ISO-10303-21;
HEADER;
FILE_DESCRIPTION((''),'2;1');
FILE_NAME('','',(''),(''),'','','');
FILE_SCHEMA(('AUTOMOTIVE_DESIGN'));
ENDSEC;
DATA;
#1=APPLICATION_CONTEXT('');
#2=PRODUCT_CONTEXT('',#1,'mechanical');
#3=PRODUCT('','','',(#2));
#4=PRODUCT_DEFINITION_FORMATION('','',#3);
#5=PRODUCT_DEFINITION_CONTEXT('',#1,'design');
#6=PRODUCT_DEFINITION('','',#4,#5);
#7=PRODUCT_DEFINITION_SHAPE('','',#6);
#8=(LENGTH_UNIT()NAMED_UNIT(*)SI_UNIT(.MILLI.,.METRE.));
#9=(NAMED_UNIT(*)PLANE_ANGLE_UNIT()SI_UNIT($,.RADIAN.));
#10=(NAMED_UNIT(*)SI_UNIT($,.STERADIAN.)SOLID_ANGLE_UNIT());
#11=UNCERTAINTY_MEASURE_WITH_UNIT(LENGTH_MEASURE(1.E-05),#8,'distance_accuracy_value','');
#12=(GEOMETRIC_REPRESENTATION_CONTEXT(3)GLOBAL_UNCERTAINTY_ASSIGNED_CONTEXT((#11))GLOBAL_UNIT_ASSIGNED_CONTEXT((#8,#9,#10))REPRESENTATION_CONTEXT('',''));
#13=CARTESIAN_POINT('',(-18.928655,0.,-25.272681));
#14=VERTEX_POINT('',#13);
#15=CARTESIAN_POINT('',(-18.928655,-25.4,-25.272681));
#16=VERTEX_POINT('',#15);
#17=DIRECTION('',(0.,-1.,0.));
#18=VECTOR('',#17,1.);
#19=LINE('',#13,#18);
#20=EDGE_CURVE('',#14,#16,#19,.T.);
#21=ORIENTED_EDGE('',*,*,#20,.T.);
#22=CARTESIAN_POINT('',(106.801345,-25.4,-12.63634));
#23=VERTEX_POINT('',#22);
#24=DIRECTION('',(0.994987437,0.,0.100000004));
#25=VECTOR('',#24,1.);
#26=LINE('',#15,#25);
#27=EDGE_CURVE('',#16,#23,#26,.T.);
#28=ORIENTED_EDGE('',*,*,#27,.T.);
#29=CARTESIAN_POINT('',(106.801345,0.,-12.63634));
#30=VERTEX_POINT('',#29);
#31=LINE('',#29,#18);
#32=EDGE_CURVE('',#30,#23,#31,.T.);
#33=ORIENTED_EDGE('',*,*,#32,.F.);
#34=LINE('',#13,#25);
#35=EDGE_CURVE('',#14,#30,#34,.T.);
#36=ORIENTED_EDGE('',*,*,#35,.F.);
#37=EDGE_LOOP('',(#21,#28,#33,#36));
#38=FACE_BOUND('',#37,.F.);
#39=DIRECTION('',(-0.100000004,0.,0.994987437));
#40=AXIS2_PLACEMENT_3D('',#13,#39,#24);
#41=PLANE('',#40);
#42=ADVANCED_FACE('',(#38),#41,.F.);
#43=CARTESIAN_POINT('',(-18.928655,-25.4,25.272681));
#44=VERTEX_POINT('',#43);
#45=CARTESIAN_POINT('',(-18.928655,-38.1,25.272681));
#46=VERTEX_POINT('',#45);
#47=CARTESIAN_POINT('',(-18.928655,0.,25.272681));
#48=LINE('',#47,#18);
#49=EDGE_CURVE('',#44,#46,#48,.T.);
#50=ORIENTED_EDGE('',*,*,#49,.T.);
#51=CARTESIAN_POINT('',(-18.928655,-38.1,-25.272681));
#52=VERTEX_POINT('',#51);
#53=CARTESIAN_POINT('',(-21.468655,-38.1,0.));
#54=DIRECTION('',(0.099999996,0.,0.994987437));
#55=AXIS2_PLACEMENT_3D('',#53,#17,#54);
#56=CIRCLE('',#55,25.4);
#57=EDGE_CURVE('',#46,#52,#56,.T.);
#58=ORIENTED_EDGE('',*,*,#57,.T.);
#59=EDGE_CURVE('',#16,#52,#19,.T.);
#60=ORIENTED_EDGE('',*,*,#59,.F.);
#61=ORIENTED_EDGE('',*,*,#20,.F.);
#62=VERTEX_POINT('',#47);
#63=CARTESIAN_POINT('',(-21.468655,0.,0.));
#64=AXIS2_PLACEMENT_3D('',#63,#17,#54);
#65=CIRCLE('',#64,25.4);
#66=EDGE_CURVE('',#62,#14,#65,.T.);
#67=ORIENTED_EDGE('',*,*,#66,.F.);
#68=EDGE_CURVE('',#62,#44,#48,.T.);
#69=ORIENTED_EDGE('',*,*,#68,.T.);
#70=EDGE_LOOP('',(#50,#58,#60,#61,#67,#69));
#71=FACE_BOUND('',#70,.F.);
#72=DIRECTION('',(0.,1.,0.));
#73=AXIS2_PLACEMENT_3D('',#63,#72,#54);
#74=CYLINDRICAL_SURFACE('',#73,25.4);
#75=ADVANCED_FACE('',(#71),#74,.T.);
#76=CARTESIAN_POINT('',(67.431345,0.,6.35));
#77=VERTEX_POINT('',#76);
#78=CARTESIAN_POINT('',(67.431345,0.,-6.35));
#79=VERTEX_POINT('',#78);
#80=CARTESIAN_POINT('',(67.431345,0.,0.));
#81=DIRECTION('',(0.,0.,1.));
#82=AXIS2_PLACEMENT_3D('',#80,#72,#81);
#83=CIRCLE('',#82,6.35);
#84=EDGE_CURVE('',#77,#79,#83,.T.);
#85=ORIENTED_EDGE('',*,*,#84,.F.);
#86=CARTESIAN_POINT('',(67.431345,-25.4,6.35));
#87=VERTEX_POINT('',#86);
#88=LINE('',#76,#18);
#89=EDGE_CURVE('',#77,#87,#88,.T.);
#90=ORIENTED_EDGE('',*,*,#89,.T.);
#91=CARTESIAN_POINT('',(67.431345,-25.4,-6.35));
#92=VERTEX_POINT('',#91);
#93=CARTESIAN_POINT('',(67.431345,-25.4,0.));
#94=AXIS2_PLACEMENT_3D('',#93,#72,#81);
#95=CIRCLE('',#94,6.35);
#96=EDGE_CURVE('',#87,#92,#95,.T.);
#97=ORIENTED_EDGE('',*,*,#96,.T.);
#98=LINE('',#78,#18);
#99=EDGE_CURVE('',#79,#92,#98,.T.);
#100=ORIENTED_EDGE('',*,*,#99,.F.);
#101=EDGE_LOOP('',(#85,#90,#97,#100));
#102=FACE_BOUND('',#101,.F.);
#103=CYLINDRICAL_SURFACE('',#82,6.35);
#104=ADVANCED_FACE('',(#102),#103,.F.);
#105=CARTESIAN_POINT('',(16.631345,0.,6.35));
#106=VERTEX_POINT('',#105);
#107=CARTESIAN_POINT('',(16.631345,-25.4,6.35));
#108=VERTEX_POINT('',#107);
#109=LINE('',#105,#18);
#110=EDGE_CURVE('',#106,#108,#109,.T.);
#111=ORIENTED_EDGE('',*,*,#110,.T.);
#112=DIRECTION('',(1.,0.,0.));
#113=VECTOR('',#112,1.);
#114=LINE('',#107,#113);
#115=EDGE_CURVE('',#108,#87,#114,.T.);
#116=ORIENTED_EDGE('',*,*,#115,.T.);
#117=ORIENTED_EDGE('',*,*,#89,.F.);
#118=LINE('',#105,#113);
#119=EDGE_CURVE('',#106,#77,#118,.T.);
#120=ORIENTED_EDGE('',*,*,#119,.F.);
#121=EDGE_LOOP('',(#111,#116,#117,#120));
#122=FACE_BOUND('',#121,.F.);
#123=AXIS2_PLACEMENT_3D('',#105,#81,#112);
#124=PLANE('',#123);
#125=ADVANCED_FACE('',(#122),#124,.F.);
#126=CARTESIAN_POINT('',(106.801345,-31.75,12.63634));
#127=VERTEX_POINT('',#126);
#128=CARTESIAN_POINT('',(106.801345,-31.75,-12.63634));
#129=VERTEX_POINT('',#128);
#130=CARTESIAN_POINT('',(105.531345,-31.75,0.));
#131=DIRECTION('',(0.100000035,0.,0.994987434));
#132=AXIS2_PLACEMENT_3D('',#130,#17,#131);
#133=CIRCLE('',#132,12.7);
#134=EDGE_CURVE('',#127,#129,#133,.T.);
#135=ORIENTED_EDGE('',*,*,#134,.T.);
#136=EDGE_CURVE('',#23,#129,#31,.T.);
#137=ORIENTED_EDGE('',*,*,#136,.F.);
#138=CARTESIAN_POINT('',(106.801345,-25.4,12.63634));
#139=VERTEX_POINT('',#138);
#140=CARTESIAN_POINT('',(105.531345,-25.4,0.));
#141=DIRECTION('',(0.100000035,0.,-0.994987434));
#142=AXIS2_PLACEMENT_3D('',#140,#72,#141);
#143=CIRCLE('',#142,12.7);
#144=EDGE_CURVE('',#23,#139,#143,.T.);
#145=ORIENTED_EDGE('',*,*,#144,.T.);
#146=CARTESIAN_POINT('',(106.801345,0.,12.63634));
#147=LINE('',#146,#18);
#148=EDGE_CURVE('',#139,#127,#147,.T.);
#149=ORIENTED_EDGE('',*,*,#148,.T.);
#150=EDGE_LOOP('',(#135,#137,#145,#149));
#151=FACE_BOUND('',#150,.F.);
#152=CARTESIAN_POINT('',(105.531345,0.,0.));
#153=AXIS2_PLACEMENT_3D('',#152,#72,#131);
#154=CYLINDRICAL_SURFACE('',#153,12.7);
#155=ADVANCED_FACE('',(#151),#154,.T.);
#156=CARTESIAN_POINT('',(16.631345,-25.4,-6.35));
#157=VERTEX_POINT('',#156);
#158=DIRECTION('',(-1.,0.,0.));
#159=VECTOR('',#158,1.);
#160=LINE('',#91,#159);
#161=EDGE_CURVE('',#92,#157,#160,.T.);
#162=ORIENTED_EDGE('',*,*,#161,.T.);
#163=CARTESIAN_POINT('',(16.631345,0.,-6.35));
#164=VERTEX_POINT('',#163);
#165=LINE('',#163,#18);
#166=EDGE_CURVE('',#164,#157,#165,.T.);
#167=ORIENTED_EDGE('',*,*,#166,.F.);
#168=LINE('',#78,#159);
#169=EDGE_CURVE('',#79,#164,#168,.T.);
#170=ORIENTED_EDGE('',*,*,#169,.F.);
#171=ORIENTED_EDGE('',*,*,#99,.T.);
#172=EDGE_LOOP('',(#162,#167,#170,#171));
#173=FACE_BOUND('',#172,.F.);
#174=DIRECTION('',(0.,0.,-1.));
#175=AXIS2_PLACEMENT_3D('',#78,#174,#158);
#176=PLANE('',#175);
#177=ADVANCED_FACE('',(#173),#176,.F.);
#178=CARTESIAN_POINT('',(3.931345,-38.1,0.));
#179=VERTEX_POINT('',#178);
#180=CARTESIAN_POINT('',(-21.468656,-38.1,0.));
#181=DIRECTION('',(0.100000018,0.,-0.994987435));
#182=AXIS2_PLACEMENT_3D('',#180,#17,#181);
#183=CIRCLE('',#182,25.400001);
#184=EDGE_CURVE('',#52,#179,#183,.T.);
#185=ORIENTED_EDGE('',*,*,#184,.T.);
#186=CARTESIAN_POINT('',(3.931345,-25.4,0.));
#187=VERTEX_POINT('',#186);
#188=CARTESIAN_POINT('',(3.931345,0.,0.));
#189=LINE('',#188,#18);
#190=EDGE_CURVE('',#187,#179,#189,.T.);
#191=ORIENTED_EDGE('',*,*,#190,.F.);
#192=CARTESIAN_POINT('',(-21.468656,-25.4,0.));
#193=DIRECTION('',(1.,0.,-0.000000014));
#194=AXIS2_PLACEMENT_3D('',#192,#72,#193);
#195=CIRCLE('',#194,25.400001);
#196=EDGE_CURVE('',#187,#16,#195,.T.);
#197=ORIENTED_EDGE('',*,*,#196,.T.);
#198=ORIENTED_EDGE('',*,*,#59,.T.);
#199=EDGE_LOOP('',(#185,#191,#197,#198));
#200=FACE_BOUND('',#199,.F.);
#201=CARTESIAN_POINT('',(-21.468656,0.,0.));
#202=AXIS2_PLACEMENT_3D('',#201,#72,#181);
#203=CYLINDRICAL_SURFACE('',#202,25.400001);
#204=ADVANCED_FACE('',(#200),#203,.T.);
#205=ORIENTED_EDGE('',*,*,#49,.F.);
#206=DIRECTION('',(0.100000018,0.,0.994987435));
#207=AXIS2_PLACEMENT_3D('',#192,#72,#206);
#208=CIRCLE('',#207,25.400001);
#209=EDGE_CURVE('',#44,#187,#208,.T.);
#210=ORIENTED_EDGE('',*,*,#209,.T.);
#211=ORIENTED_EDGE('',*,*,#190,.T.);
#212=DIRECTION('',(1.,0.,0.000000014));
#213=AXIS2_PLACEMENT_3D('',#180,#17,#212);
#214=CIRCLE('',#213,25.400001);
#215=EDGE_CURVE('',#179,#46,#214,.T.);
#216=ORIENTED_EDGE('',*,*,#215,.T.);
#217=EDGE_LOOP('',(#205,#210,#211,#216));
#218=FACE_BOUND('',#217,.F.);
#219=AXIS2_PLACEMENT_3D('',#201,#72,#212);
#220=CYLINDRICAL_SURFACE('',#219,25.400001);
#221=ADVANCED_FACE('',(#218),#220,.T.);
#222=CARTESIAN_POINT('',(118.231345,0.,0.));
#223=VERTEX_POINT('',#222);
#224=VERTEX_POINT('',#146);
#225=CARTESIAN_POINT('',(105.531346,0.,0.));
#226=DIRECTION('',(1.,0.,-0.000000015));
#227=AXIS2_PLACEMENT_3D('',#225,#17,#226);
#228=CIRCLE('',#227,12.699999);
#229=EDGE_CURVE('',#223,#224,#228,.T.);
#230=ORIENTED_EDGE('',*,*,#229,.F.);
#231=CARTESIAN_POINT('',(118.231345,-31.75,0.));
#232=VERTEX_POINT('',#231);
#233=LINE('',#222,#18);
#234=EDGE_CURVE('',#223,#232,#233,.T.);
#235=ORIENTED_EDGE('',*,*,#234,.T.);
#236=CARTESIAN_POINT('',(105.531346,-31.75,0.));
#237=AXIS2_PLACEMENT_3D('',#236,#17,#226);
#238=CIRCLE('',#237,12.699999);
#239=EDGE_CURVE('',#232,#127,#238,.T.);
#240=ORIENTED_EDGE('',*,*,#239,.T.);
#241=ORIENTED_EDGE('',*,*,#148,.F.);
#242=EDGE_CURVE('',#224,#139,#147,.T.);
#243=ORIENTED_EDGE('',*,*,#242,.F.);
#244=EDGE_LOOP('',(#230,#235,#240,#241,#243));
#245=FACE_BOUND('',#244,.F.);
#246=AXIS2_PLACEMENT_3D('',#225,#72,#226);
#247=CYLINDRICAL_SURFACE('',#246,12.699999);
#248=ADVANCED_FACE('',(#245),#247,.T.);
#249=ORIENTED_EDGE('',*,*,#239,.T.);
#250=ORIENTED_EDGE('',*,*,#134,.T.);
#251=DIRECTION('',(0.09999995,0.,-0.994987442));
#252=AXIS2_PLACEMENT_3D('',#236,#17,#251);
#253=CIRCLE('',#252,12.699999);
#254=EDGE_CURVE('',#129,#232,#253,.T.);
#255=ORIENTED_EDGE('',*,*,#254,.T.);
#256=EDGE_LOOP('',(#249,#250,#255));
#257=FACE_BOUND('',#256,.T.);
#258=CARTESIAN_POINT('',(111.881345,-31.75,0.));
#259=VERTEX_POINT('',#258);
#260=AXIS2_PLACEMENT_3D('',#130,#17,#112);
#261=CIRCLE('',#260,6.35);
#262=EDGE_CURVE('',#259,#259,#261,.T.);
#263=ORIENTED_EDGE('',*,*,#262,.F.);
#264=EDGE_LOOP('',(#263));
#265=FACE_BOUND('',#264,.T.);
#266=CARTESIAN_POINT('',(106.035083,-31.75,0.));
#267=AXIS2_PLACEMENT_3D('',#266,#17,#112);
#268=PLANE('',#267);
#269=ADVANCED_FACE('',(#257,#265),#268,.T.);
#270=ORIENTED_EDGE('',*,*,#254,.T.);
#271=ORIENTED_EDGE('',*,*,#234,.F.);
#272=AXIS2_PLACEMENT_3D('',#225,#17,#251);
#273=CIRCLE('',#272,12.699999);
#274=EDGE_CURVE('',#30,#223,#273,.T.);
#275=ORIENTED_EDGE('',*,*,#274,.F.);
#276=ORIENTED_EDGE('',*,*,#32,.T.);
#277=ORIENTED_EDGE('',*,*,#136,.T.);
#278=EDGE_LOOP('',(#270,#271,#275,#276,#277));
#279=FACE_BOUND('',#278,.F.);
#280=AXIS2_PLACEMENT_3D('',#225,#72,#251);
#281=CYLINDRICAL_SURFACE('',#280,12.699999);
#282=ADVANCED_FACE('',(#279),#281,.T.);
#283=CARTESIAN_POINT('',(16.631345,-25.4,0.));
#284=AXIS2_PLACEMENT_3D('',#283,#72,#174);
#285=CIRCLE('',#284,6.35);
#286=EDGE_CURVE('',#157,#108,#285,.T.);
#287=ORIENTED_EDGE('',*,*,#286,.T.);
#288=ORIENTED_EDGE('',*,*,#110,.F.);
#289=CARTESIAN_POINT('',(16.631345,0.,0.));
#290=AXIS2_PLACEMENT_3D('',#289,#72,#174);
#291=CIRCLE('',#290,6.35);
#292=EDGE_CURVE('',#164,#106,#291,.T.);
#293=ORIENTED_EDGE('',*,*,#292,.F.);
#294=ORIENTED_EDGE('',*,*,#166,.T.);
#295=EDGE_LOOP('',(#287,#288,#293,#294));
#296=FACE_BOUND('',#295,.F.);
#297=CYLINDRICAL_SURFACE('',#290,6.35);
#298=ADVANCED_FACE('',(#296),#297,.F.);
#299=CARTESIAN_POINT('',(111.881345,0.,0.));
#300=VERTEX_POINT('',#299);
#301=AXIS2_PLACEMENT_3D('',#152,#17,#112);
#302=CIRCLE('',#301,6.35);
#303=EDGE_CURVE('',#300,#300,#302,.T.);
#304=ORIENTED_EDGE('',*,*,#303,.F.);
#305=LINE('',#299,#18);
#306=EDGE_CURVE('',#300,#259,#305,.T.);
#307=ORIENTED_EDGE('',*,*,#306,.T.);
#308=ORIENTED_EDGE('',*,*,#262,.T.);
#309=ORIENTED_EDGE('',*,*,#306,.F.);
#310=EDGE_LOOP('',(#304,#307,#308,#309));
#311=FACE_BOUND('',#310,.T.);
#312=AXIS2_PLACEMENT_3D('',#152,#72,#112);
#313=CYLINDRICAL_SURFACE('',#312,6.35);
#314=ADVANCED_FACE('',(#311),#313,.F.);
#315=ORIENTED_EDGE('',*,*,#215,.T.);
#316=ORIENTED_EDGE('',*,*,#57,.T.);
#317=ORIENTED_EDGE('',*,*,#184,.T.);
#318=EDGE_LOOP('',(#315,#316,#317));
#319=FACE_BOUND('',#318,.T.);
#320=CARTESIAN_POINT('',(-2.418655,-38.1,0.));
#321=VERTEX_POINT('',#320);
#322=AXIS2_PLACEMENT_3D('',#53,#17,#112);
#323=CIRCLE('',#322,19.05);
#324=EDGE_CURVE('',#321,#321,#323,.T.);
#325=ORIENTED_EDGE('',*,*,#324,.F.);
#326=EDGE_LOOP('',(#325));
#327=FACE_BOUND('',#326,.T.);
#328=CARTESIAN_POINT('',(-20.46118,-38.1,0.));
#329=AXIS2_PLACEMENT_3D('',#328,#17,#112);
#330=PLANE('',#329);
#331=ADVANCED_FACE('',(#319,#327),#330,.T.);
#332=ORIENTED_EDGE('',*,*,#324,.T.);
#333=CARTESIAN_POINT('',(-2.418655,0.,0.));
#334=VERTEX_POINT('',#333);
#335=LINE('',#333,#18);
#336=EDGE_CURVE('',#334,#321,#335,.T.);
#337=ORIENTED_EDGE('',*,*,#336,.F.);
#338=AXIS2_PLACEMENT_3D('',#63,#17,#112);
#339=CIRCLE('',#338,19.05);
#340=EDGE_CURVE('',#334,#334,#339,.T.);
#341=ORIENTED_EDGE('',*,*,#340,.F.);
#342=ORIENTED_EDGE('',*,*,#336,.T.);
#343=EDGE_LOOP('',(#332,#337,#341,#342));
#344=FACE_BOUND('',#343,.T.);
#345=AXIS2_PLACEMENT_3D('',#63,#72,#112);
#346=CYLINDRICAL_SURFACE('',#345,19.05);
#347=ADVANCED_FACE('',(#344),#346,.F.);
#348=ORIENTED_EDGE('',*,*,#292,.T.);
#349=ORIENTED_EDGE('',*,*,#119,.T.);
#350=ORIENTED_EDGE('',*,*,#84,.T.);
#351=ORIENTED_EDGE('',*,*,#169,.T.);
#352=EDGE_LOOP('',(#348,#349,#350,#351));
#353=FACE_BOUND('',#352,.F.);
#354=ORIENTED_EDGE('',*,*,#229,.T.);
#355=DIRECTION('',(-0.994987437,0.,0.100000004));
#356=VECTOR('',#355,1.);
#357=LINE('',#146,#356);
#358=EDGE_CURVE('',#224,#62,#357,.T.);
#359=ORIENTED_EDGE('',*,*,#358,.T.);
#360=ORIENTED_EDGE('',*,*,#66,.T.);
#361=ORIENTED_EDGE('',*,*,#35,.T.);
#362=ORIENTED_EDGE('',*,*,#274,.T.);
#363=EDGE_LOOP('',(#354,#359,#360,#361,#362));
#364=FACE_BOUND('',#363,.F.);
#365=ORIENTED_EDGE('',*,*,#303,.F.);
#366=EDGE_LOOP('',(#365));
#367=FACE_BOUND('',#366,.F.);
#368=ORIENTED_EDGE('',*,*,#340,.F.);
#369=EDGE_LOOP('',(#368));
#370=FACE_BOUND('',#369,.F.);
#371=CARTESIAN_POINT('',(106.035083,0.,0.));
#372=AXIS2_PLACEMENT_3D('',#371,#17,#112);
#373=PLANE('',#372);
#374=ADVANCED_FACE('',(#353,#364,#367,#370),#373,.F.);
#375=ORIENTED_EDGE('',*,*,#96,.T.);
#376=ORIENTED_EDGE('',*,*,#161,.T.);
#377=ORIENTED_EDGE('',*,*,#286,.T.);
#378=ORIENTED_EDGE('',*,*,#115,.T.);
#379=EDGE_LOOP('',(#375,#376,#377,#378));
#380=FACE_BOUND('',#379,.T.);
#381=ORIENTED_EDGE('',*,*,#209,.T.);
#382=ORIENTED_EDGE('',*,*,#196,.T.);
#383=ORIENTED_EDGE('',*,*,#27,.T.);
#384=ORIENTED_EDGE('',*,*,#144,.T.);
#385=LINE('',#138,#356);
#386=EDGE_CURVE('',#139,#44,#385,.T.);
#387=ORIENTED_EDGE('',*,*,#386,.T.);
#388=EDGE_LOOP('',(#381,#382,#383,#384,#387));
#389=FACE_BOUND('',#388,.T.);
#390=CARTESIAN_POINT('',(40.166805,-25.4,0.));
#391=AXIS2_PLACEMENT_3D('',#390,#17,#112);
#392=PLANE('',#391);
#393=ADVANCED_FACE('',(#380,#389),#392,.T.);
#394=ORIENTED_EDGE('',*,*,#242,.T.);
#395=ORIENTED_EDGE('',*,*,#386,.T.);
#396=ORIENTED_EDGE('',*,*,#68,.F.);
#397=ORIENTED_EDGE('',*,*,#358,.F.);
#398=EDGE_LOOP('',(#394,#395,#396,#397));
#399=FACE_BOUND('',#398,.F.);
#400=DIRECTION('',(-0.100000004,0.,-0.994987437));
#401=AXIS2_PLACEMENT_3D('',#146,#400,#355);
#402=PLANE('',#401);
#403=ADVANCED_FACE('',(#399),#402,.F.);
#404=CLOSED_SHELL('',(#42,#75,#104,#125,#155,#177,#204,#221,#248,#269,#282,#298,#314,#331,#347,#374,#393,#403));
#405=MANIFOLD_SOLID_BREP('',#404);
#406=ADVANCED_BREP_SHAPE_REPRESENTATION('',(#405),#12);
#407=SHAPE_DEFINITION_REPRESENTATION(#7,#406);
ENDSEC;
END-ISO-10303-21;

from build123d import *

# Parameters (mm, degrees)
F0_R     = 19.05
F1_DEPTH = 38.1
F2_DEPTH = 25.4
F0_R_2   = 6.35
F3_DEPTH = 31.75


with BuildPart() as f1:
    # F0 (on Front) → F1 (new body)
    with BuildSketch(Plane.XZ):
        with BuildLine():
            ThreePointArc((-18.928655, -25.272681), (-2.631511, -17.038838), (3.931345, 0))
            ThreePointArc((3.931345, 0), (-2.631511, 17.038838), (-18.928655, 25.272681))
            ThreePointArc((-18.928655, 25.272681), (-46.868655, 0), (-18.928655, -25.272681))
        make_face()
        with Locations((-21.468655, 0)):
            Circle(F0_R, mode=Mode.SUBTRACT)
    extrude(amount=F1_DEPTH)

    # F0 (on Front) → F2 (join)
    with BuildSketch(Plane.XZ):
        with BuildLine():
            ThreePointArc((-18.928655, 25.272681), (-2.631511, 17.038838), (3.931345, 0))
            ThreePointArc((3.931345, 0), (-2.631511, -17.038838), (-18.928655, -25.272681))
            Line((-18.928655, -25.272681), (106.801345, -12.63634))
            ThreePointArc((106.801345, -12.63634), (92.831345, 0), (106.801345, 12.63634))
            Line((106.801345, 12.63634), (-18.928655, 25.272681))
        make_face()
        with BuildLine():
            ThreePointArc((67.431345, 6.35), (73.781345, 0), (67.431345, -6.35))
            Line((67.431345, -6.35), (16.631345, -6.35))
            ThreePointArc((16.631345, -6.35), (10.281345, 0), (16.631345, 6.35))
            Line((16.631345, 6.35), (67.431345, 6.35))
        make_face(mode=Mode.SUBTRACT)
    extrude(amount=F2_DEPTH)

    # F0 (on Front) → F3 (join)
    with BuildSketch(Plane.XZ):
        with BuildLine():
            ThreePointArc((118.231345, 0), (114.949917, 8.519419), (106.801345, 12.63634))
            ThreePointArc((106.801345, 12.63634), (92.831345, 0), (106.801345, -12.63634))
            ThreePointArc((106.801345, -12.63634), (114.949917, -8.519419), (118.231345, 0))
        make_face()
        with Locations((105.531345, 0)):
            Circle(F0_R_2, mode=Mode.SUBTRACT)
    extrude(amount=F3_DEPTH)


solid = f1.part
